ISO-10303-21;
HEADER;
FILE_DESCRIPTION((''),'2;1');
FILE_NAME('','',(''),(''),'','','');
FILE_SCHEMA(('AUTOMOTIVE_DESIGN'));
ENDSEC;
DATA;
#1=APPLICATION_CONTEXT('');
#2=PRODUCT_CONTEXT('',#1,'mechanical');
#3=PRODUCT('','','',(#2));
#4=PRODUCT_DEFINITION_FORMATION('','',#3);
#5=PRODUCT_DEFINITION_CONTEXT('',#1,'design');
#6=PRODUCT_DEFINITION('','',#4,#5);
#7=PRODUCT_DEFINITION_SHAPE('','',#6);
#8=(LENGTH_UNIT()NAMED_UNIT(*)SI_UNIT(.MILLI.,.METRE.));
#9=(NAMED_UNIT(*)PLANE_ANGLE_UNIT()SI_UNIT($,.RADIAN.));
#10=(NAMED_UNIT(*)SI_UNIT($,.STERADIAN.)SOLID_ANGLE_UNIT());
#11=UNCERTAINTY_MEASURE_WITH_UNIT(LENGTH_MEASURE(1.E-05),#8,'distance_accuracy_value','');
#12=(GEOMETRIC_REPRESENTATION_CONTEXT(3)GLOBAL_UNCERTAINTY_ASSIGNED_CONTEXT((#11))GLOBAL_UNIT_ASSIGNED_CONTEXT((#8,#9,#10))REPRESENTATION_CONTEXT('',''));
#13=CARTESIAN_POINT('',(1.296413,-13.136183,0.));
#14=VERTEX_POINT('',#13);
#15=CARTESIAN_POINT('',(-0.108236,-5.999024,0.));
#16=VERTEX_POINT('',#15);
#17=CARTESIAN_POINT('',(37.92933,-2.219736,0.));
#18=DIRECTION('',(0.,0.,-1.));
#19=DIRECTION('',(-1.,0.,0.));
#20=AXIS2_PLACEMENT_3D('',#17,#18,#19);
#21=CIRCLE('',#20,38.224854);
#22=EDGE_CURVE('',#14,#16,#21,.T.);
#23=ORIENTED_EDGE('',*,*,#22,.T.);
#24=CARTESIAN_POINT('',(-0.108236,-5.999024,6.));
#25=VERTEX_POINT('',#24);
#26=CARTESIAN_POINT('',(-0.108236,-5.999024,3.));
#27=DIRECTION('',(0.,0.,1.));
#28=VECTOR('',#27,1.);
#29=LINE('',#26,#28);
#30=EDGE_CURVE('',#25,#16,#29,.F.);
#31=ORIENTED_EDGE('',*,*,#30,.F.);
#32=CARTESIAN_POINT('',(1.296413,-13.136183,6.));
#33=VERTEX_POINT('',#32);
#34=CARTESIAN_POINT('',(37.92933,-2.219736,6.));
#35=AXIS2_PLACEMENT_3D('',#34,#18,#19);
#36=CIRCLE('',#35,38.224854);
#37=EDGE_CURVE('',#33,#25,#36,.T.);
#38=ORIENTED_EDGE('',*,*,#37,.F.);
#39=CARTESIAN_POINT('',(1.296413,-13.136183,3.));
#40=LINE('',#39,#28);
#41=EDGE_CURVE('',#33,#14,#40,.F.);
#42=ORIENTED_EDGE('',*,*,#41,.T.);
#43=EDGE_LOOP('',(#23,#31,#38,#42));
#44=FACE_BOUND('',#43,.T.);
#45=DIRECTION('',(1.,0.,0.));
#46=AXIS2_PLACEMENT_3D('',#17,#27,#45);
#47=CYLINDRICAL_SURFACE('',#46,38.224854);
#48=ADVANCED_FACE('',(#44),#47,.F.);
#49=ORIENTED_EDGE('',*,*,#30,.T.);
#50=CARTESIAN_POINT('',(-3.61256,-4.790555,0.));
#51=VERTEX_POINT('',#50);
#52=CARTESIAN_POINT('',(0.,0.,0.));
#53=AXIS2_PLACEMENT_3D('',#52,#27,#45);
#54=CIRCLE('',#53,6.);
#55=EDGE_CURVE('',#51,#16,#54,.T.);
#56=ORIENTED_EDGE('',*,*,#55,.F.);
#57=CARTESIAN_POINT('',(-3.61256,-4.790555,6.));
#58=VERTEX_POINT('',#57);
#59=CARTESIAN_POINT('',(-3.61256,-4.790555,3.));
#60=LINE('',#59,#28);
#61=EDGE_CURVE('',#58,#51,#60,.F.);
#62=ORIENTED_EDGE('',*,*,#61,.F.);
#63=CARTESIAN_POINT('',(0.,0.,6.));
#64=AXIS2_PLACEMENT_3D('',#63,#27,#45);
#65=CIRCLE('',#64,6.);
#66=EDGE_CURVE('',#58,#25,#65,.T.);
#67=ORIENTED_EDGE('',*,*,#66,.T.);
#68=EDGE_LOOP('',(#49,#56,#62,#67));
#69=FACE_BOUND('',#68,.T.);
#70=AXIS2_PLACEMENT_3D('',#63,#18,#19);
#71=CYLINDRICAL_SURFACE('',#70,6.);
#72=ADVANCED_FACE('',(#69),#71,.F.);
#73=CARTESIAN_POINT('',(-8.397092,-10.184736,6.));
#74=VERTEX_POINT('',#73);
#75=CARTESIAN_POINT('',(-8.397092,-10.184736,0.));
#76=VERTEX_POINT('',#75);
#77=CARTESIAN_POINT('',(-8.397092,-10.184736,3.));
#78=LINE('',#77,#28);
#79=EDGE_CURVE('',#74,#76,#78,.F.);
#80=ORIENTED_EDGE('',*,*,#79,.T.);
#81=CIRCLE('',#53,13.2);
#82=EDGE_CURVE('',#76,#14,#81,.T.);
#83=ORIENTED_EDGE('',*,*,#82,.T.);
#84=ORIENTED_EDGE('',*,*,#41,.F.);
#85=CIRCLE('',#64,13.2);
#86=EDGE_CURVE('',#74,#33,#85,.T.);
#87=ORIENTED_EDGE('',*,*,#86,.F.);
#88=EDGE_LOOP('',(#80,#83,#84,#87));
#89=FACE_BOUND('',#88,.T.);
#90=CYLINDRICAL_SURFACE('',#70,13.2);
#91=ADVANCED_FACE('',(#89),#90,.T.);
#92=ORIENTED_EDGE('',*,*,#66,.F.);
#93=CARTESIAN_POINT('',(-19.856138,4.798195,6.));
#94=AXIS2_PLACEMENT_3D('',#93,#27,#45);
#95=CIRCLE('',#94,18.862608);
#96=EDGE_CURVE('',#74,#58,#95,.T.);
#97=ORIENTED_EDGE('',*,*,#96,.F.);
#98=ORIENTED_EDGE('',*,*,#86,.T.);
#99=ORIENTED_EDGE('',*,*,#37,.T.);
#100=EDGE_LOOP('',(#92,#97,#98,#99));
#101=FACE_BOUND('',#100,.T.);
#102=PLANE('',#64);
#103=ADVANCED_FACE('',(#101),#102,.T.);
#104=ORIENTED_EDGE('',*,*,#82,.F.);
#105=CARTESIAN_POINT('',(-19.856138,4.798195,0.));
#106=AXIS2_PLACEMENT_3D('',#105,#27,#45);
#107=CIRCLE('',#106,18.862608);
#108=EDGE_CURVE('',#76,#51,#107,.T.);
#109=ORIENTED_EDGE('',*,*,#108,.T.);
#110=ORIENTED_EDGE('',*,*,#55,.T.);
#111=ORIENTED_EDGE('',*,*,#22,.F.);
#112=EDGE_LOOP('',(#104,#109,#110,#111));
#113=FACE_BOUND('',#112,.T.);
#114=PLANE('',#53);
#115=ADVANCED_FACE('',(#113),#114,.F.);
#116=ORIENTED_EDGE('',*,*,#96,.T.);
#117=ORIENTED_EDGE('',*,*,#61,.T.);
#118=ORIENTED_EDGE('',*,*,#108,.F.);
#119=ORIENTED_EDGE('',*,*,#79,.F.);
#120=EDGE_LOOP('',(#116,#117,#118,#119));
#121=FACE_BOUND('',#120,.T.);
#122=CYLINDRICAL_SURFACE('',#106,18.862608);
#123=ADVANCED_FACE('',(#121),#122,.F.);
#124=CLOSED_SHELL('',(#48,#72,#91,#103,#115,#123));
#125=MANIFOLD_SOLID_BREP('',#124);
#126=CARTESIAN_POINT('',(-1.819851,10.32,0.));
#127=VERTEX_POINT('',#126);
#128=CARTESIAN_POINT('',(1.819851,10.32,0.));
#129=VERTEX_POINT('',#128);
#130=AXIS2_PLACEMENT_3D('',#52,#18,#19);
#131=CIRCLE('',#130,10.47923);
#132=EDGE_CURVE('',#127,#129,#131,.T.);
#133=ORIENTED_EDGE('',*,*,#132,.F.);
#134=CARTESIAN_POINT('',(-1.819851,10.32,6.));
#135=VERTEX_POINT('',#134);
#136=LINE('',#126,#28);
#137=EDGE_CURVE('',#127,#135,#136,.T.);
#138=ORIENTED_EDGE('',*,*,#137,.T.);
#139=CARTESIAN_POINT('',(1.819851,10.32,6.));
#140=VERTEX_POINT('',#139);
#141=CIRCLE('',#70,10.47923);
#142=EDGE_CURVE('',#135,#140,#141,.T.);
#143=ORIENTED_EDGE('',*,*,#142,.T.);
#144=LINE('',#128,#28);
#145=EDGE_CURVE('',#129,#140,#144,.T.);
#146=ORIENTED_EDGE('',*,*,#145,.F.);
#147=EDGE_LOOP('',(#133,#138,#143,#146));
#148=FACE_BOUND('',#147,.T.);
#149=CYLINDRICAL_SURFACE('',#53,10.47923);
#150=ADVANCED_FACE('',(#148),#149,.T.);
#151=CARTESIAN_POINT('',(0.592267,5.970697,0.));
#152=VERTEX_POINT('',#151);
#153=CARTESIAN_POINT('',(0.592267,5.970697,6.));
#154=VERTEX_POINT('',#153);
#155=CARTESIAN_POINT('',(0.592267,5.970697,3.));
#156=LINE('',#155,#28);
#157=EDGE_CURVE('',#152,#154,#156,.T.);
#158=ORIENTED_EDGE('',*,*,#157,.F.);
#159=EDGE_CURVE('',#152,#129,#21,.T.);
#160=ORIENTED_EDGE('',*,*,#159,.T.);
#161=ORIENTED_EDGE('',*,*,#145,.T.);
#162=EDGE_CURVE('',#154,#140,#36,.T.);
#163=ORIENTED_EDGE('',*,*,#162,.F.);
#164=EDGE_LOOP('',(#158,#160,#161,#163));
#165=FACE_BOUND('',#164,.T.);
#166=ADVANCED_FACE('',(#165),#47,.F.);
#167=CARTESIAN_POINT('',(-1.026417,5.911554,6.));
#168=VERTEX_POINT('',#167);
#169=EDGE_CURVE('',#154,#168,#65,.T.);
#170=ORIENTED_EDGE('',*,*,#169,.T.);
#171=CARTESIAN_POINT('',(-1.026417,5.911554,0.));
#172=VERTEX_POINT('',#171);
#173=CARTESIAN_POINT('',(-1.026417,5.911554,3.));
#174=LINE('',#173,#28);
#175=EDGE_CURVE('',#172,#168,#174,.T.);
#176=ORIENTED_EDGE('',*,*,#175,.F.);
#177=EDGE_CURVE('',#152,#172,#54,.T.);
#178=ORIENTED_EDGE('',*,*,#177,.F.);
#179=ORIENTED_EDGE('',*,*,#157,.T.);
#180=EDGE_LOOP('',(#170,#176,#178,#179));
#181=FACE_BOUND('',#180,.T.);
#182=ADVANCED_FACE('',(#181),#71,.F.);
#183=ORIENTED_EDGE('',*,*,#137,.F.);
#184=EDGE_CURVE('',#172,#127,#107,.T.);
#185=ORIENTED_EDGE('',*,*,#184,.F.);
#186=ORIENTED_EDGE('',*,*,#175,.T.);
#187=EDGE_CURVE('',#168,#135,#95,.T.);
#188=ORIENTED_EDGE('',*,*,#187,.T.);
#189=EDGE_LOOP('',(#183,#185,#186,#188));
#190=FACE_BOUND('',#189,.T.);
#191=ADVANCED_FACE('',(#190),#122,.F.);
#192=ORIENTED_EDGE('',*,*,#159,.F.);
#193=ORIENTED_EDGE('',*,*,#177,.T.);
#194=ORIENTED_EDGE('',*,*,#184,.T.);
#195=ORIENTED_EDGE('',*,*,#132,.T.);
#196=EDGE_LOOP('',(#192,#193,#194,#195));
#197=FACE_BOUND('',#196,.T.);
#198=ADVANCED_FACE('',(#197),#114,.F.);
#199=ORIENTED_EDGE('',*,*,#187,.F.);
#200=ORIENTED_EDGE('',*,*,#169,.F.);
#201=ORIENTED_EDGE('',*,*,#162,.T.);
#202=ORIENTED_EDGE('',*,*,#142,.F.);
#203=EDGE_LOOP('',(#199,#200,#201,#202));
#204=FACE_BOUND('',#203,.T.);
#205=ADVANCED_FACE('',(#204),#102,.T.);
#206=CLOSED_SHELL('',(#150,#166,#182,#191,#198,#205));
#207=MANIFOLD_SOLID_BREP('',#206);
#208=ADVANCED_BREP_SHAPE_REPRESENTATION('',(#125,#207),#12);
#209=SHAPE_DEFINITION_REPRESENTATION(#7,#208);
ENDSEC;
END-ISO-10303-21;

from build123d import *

# Parameters (mm, degrees)
SKETCH1_R           = 13.2
SKETCH1_R_2         = 6
BOSS_EXTRUDE1_DEPTH = 6
CUT_EXTRUDE1_DEPTH  = 7


with BuildPart() as part:
    # Sketch1 → Boss-Extrude1 (new body)
    with BuildSketch(Plane.XY):
        Circle(SKETCH1_R)
        Circle(SKETCH1_R_2, mode=Mode.SUBTRACT)
    extrude(amount=BOSS_EXTRUDE1_DEPTH)

    # Sketch2 → Cut-Extrude1 (cut, through all)
    with BuildSketch(Plane.XY.offset(6)):
        with BuildLine():
            ThreePointArc((-2.819851171, 12.895287487), (0, 13.2), (2.819851171, 12.895287487))
            ThreePointArc((2.819851171, 12.895287487), (73.562082536, -16.056153687), (1.819851171, 10.32))
            ThreePointArc((1.819851171, 10.32), (0, 10.479229852), (-1.819851171, 10.32))
            ThreePointArc((-1.819851171, 10.32), (-37.439635871, -2.029585062), (-2.819851171, 12.895287487))
        make_face()
    extrude(amount=-CUT_EXTRUDE1_DEPTH, mode=Mode.SUBTRACT)


solid = part.part
